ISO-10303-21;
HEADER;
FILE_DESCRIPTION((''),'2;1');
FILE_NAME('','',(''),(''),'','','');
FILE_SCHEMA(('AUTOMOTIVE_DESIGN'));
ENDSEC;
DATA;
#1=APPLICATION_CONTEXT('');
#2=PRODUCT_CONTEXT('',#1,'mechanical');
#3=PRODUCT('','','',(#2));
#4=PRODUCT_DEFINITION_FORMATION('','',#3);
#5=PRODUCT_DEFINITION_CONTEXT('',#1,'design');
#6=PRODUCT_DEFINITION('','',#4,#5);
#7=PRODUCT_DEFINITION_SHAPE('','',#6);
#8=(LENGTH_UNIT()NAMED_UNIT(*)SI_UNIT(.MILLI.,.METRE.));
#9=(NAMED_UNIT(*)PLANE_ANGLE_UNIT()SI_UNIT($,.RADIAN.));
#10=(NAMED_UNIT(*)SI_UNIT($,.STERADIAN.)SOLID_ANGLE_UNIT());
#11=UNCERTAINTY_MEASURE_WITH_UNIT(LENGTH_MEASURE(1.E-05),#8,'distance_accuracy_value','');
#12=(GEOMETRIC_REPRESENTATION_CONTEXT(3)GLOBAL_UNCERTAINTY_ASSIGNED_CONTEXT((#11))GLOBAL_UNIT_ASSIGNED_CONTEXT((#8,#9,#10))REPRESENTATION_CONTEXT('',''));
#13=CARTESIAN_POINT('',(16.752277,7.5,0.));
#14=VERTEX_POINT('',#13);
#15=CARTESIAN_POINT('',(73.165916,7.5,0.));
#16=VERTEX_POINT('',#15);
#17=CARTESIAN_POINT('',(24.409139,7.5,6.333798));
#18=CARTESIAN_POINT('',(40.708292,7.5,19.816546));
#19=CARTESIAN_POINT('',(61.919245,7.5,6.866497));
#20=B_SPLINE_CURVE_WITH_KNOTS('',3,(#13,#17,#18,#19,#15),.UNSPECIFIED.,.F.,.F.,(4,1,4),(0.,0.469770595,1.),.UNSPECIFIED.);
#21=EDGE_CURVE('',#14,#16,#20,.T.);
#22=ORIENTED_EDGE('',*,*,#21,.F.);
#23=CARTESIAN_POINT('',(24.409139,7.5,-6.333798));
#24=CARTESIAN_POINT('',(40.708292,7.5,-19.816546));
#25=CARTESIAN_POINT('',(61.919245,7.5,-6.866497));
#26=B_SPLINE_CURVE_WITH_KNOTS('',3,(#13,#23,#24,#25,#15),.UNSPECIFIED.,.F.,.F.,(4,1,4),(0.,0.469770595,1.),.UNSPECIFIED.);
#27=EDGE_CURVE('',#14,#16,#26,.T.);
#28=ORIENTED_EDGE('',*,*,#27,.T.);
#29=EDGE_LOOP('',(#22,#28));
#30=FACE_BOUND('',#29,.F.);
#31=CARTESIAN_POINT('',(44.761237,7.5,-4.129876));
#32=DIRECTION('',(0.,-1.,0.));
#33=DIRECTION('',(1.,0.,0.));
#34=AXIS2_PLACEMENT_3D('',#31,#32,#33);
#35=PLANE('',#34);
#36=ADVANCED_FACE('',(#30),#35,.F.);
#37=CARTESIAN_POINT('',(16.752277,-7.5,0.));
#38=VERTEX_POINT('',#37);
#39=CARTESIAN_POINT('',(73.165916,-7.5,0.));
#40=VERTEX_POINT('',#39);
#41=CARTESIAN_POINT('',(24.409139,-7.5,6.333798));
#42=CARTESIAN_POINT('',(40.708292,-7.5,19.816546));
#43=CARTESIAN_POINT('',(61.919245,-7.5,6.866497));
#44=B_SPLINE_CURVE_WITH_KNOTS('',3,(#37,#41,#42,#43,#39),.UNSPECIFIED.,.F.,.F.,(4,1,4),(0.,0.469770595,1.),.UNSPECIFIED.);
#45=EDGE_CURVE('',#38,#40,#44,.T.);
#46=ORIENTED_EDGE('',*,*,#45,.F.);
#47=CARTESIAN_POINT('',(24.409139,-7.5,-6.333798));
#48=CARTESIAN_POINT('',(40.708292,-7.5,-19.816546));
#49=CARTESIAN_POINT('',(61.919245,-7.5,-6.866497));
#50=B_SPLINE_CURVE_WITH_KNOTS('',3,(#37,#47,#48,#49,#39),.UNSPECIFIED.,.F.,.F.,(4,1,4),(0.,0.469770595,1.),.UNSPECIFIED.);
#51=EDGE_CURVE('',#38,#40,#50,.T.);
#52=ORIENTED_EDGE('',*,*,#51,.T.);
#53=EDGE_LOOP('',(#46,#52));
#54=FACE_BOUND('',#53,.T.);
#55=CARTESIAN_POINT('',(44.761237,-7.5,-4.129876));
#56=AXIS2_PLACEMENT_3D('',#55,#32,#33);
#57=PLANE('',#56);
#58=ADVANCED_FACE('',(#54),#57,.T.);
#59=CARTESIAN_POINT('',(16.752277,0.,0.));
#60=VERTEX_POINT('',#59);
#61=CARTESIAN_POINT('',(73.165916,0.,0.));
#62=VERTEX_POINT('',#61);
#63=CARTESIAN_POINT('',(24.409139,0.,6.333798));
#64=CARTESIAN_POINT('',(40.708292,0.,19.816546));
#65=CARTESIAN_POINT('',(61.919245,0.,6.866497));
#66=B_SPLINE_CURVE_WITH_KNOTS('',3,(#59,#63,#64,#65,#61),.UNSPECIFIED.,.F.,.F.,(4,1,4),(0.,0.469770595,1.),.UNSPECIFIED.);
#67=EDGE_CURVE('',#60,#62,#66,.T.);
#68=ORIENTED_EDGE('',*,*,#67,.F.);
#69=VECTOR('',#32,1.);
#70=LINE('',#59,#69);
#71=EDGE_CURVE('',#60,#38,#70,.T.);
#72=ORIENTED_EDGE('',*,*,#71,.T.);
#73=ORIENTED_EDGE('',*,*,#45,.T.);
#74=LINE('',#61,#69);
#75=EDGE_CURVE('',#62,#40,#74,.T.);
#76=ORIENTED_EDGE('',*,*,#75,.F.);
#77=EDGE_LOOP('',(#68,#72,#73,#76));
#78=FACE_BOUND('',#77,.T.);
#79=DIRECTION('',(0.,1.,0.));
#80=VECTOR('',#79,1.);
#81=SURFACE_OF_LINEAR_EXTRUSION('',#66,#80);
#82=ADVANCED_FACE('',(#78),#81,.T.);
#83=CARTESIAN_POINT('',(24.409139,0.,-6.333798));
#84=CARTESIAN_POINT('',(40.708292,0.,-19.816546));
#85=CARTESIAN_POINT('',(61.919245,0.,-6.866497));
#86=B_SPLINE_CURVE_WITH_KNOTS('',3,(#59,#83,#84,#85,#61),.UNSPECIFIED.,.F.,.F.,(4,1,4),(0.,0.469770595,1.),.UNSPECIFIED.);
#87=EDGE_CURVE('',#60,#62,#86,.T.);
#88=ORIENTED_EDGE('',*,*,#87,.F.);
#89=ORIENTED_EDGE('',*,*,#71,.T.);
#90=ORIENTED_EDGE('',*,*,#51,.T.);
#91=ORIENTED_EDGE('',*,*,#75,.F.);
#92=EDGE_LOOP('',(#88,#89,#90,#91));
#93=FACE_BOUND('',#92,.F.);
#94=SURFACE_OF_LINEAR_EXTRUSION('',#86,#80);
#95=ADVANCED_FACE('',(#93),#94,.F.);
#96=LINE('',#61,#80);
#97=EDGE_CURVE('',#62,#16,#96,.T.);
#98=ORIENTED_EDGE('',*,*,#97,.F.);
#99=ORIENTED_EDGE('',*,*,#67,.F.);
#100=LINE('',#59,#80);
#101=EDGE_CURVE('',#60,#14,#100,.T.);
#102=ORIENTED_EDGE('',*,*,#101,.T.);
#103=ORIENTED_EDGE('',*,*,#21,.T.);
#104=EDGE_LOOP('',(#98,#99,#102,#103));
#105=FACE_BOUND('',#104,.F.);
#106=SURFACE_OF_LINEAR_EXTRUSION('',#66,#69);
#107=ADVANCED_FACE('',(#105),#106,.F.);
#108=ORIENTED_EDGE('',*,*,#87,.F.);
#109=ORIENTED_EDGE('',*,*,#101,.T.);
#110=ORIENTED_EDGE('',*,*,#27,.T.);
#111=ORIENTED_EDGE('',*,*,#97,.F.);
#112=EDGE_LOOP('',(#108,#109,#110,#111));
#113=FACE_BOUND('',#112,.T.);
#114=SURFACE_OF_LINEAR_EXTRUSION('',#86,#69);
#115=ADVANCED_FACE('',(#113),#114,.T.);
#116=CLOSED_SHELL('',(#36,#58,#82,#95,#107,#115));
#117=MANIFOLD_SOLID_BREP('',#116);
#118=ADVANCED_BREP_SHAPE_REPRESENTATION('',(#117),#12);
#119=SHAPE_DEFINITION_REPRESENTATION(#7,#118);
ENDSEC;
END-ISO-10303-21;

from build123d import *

# Parameters (mm, degrees)
F1_DEPTH = 7.5


with BuildPart() as f1:
    # F0 (on Front) → F1 (new body, symmetric)
    with BuildSketch(Plane.XZ):
        with BuildLine():
            Line((73.1659159064, 0), (16.7522765696, 0))
            add(Edge.make_bspline(
                [(16.7522765696, 0), (24.4091393077, -6.3337984634), (40.7082921589, -19.8165462695), (61.9192450057, -6.8664969443), (73.1659159064, 0)],
                knots=[0, 0, 0, 0, 0.4697705953, 1, 1, 1, 1], degree=3))
        make_face()
        with BuildLine():
            add(Edge.make_bspline(
                [(16.7522765696, 0), (24.4091393077, 6.3337984634), (40.7082921589, 19.8165462695), (61.9192450057, 6.8664969443), (73.1659159064, 0)],
                knots=[0, 0, 0, 0, 0.4697705953, 1, 1, 1, 1], degree=3))
            Line((16.7522765696, 0), (73.1659159064, 0))
        make_face()
    extrude(amount=F1_DEPTH, both=True)


solid = f1.part
